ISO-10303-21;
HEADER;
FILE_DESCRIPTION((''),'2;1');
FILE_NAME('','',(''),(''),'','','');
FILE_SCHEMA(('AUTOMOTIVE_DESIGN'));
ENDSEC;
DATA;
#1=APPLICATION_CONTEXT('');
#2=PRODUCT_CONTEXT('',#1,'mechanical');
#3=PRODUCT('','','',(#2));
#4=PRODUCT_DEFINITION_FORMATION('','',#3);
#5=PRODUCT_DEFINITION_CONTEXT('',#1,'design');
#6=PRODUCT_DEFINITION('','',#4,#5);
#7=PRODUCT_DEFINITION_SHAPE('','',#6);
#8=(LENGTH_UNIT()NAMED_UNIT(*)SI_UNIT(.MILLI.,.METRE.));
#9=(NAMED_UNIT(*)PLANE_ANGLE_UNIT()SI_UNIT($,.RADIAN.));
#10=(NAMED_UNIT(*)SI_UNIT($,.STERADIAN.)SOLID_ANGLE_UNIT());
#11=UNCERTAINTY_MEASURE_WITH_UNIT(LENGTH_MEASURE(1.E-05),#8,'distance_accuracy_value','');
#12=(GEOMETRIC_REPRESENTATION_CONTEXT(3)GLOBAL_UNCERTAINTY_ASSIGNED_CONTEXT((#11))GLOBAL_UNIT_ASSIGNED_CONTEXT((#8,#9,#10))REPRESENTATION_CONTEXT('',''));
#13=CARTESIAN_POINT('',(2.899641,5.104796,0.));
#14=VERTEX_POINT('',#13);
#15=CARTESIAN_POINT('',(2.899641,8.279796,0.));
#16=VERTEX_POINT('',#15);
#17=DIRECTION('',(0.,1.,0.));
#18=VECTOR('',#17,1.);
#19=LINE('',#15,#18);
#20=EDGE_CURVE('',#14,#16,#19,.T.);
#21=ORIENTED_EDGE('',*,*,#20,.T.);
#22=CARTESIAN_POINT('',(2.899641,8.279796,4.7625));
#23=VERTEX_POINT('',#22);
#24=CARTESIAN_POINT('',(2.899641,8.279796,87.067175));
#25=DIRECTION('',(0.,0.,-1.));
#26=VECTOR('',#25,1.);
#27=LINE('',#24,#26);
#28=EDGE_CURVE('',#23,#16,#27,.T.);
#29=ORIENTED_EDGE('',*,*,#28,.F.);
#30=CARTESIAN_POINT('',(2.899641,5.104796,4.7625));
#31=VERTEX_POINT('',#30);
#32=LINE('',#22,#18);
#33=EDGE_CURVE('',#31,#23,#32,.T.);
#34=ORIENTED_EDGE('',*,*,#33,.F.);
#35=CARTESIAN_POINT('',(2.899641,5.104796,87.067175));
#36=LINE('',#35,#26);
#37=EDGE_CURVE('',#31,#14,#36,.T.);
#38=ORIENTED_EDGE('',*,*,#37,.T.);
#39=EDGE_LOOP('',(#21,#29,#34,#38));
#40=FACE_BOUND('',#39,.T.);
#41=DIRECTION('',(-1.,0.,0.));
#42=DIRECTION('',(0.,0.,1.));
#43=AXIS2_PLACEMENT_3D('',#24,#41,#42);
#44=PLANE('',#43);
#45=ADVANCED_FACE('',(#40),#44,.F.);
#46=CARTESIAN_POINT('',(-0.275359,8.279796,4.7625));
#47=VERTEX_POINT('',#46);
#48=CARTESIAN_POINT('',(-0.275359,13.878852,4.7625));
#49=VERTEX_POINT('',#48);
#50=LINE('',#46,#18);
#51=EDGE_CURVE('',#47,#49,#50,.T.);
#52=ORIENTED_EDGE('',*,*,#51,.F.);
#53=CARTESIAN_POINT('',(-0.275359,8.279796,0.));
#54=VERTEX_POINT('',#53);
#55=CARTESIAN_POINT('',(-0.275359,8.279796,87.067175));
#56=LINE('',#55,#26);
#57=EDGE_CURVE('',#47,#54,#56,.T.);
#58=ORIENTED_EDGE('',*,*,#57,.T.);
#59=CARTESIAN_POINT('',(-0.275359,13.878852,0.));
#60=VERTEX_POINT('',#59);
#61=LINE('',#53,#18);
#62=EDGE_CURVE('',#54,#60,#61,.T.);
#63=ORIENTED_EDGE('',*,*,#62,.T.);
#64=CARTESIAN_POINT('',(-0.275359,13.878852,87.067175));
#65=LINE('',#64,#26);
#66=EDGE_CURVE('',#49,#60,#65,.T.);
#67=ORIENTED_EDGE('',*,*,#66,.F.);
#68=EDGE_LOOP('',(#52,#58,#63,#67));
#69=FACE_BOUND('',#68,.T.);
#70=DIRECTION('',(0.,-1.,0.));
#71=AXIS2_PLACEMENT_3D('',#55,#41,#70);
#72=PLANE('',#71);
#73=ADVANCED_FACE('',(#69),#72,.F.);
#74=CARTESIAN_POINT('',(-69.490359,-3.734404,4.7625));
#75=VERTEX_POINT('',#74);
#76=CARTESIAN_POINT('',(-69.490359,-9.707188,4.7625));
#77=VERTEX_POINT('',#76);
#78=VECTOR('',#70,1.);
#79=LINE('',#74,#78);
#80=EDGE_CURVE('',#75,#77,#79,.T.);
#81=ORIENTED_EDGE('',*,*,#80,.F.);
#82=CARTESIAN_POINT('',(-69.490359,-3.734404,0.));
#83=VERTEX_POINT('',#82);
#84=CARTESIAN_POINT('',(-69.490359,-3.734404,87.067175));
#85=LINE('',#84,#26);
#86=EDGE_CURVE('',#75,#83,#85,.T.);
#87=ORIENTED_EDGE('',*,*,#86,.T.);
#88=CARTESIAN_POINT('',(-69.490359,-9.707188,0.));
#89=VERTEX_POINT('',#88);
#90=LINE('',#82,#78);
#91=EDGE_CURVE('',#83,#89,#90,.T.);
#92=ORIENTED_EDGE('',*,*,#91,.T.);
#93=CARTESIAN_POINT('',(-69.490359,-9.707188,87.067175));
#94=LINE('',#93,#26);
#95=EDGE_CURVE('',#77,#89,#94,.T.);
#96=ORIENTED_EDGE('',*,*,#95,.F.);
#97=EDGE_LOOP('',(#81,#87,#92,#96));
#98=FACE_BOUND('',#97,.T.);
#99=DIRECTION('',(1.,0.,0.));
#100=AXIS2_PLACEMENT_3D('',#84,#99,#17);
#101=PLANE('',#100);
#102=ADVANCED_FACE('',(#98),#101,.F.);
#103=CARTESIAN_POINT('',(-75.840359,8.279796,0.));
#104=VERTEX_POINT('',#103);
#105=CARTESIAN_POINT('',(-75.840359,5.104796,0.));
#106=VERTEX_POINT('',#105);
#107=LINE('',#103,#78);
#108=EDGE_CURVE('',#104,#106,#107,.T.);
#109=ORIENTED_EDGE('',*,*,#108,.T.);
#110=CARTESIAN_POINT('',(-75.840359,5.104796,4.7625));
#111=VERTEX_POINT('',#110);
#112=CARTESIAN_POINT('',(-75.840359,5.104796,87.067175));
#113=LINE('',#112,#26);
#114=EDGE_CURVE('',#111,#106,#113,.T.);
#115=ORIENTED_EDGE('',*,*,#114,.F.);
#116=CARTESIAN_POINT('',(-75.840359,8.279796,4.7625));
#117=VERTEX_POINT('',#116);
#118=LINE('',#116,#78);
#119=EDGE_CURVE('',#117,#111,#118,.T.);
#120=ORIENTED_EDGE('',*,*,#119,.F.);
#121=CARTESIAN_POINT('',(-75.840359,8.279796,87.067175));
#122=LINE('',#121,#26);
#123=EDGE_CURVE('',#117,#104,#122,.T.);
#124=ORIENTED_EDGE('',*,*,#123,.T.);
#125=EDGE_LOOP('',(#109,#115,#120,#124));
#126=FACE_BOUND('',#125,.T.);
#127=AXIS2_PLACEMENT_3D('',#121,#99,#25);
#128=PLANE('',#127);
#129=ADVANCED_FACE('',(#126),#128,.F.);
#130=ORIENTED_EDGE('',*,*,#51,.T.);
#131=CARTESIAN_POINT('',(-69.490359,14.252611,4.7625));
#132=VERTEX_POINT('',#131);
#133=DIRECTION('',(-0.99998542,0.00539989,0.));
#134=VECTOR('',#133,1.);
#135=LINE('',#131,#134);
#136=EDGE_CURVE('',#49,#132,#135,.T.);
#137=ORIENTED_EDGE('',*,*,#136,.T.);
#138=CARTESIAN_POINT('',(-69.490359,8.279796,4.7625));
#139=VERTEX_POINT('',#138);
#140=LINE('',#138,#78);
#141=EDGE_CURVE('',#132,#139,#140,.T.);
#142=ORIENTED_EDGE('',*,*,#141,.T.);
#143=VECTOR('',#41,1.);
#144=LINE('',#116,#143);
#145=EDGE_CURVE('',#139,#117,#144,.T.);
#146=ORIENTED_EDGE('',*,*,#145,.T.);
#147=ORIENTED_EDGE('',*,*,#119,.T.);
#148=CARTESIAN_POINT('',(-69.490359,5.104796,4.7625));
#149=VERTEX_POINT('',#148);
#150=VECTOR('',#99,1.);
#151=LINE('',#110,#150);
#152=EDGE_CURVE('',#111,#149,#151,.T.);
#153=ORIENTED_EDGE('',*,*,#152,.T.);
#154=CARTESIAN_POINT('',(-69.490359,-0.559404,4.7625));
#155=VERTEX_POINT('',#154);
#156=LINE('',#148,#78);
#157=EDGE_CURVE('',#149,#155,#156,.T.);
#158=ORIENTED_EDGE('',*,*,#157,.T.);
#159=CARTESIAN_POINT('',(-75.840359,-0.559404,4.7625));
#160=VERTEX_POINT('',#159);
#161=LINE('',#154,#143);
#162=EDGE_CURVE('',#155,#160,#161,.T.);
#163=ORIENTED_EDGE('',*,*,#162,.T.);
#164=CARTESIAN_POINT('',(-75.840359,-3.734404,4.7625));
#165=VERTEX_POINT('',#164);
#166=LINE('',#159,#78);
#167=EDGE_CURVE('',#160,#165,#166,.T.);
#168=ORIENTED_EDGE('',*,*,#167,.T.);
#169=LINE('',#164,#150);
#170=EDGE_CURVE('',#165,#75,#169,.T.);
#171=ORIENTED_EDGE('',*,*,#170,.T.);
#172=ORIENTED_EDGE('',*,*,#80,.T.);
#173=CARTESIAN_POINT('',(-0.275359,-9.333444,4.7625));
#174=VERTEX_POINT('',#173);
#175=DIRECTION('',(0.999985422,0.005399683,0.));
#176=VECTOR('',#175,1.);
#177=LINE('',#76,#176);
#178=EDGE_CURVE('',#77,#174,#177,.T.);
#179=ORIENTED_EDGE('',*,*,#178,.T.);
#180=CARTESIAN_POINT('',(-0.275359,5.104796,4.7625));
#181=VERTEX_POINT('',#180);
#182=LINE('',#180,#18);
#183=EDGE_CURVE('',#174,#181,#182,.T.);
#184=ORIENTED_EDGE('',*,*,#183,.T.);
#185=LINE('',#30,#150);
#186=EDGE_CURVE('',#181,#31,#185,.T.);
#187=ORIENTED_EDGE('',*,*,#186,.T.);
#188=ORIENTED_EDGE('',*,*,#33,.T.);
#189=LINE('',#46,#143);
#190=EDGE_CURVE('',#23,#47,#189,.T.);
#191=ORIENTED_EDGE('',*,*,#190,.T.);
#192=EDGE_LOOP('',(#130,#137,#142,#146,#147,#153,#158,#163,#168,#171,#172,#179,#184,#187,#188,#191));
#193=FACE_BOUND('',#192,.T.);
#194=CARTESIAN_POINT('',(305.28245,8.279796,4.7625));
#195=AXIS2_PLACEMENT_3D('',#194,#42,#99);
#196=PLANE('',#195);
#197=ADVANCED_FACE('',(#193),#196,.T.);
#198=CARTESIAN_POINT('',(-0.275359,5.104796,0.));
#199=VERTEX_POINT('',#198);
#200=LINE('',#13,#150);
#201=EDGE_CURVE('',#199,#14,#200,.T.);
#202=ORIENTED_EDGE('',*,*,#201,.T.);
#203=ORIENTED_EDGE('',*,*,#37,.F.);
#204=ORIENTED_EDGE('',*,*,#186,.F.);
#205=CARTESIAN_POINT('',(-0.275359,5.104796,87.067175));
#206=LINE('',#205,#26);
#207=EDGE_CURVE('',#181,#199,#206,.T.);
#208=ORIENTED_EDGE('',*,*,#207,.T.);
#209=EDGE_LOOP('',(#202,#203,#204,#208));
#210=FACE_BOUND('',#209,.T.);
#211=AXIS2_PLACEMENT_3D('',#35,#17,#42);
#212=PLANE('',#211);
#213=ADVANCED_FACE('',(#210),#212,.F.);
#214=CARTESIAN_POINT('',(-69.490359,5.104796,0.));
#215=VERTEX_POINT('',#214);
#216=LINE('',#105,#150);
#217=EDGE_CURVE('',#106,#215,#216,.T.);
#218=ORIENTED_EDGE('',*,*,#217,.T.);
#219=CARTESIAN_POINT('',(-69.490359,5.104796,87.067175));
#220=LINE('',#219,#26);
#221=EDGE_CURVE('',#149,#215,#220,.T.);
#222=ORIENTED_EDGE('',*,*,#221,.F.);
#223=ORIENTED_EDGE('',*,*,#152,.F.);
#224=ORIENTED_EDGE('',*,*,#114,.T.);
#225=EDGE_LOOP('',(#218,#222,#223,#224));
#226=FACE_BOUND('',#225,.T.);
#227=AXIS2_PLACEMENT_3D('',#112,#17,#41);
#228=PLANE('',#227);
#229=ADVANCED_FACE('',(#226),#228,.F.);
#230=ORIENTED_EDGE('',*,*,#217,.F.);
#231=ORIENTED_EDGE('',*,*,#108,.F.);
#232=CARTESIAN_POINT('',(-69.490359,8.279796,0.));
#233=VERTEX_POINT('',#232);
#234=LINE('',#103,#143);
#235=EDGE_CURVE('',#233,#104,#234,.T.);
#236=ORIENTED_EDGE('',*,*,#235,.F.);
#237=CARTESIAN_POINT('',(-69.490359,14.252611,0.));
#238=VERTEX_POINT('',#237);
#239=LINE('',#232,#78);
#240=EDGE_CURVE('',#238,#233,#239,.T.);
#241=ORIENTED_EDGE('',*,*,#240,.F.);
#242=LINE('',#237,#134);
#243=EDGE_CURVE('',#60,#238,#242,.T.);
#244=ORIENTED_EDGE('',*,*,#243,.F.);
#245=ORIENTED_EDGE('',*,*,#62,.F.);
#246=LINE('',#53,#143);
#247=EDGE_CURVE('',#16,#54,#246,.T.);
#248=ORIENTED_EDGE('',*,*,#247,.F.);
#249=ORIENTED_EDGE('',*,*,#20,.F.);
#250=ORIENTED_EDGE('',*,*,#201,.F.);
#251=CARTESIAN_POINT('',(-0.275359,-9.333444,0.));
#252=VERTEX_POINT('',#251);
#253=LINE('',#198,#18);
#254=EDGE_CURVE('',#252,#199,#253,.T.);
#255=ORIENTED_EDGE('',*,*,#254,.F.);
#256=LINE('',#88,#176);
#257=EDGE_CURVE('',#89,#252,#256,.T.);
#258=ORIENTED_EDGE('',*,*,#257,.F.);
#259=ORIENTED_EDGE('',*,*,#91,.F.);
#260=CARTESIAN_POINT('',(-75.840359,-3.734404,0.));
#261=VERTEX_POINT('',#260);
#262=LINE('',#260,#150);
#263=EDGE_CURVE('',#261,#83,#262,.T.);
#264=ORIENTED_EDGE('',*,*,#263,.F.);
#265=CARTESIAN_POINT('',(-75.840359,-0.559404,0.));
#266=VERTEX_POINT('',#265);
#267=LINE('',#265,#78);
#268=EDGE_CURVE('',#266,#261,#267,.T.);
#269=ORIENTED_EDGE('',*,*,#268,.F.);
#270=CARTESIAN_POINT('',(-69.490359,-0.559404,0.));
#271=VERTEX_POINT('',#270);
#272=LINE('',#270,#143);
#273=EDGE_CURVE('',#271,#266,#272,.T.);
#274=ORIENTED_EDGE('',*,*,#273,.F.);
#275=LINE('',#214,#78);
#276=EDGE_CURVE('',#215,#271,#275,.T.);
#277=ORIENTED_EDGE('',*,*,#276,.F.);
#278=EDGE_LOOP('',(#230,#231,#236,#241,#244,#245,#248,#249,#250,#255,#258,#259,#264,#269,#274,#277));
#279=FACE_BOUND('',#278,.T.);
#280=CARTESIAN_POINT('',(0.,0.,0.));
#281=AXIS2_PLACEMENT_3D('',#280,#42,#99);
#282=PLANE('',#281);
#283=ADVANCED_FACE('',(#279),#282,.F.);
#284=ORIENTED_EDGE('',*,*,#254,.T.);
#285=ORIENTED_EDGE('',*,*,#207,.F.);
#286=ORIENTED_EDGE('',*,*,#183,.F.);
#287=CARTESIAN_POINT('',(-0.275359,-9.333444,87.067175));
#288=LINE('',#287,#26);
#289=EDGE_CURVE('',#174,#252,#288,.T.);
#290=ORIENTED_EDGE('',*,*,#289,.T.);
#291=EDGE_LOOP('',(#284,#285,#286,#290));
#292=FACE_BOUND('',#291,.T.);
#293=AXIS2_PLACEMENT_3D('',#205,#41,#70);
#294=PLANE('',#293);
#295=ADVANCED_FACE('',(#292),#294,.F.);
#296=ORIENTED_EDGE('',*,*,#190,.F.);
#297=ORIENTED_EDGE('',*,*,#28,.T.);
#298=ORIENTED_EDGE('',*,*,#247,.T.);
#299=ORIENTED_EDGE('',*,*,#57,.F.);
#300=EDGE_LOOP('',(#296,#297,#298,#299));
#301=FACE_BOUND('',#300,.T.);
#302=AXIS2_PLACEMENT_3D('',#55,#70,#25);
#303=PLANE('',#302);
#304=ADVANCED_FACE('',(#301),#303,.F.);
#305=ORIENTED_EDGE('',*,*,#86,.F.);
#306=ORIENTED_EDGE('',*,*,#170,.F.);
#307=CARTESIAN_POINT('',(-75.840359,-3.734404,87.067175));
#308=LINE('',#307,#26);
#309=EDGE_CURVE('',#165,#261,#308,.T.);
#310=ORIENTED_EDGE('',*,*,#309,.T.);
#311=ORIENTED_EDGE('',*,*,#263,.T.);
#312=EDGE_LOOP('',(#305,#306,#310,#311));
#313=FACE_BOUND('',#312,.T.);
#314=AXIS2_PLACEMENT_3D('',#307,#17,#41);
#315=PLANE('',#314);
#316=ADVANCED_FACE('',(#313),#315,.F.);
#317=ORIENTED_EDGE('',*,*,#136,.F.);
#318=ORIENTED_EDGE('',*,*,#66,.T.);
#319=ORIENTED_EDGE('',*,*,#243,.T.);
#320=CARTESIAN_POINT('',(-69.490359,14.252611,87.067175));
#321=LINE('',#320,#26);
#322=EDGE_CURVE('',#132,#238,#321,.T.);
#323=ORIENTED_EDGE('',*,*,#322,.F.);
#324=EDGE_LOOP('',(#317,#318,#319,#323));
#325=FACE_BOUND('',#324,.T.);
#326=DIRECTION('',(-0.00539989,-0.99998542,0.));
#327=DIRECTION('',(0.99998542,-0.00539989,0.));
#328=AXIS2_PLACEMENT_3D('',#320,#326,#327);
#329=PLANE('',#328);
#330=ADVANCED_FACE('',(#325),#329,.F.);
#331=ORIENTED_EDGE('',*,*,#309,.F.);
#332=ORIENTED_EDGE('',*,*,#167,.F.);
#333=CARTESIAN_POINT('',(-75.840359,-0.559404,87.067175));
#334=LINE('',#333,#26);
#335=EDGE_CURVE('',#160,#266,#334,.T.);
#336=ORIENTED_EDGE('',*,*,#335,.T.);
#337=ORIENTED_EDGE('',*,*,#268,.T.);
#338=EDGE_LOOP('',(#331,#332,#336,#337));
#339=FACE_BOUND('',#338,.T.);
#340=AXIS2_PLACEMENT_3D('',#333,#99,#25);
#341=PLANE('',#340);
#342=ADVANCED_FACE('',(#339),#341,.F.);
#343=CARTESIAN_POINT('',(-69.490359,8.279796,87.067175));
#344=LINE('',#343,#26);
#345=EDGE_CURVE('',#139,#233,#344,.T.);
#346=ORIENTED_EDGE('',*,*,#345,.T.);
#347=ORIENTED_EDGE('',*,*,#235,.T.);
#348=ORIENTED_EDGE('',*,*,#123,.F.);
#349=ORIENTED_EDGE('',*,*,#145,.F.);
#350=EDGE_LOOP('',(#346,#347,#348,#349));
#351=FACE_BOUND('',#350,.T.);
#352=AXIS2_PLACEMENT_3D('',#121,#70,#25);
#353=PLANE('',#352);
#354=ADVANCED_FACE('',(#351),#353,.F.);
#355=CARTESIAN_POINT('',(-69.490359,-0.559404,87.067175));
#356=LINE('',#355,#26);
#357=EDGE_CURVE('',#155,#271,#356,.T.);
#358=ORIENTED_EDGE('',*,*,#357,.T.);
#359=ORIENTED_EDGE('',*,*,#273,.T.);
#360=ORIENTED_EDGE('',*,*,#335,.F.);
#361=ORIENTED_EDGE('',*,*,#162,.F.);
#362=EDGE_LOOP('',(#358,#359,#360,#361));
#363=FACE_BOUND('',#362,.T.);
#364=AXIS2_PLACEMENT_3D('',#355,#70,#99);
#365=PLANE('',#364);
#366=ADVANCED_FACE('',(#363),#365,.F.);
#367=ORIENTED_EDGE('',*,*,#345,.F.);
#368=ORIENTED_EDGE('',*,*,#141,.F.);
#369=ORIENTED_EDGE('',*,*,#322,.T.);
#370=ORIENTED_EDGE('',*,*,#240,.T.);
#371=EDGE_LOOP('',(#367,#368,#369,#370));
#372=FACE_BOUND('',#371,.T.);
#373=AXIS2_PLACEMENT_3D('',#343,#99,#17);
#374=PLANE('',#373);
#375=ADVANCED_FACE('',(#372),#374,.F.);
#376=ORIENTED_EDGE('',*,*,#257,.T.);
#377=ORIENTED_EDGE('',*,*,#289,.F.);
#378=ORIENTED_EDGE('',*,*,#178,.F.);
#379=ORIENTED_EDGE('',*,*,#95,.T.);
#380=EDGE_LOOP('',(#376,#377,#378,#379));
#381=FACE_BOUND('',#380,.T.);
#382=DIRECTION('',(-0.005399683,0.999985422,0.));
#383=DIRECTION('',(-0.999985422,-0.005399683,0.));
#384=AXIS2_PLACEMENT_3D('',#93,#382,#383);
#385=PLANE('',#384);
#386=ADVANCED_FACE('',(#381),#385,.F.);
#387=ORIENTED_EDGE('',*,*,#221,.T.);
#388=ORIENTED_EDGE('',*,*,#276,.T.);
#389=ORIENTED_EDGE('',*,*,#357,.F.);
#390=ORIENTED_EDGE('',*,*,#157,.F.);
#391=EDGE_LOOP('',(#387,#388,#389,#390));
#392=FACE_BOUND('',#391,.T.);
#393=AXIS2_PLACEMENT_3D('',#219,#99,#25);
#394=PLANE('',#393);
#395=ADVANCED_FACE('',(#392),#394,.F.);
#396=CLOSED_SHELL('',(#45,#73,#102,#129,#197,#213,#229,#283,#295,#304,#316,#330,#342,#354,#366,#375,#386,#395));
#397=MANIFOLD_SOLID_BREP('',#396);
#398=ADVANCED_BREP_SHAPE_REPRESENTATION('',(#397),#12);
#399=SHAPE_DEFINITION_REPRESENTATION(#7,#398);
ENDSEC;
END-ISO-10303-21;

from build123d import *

# Parameters (mm, degrees)
BOSS_EXTRUDE1_DEPTH = 4.7625


with BuildPart() as part:
    # Sketch1 → Boss-Extrude1 (new body)
    with BuildSketch(Plane.XY):
        Polygon((-75.840358597, 8.279796389), (-69.490358597, 8.279796389), (-69.490358597, 14.25261076), (-0.275358597, 13.878851912), (-0.275358597, 8.279796389), (2.899641403, 8.279796389), (2.899641403, 5.104796389), (-0.275358597, 5.104796389), (-0.275358597, -9.333443508), (-69.490358597, -9.707188005), (-69.490358597, -3.734403611), (-75.840358597, -3.734403611), (-75.840358597, -0.559403611), (-69.490358597, -0.559403611), (-69.490358597, 5.104796389), (-75.840358597, 5.104796389), align=None)
    extrude(amount=BOSS_EXTRUDE1_DEPTH)


solid = part.part
